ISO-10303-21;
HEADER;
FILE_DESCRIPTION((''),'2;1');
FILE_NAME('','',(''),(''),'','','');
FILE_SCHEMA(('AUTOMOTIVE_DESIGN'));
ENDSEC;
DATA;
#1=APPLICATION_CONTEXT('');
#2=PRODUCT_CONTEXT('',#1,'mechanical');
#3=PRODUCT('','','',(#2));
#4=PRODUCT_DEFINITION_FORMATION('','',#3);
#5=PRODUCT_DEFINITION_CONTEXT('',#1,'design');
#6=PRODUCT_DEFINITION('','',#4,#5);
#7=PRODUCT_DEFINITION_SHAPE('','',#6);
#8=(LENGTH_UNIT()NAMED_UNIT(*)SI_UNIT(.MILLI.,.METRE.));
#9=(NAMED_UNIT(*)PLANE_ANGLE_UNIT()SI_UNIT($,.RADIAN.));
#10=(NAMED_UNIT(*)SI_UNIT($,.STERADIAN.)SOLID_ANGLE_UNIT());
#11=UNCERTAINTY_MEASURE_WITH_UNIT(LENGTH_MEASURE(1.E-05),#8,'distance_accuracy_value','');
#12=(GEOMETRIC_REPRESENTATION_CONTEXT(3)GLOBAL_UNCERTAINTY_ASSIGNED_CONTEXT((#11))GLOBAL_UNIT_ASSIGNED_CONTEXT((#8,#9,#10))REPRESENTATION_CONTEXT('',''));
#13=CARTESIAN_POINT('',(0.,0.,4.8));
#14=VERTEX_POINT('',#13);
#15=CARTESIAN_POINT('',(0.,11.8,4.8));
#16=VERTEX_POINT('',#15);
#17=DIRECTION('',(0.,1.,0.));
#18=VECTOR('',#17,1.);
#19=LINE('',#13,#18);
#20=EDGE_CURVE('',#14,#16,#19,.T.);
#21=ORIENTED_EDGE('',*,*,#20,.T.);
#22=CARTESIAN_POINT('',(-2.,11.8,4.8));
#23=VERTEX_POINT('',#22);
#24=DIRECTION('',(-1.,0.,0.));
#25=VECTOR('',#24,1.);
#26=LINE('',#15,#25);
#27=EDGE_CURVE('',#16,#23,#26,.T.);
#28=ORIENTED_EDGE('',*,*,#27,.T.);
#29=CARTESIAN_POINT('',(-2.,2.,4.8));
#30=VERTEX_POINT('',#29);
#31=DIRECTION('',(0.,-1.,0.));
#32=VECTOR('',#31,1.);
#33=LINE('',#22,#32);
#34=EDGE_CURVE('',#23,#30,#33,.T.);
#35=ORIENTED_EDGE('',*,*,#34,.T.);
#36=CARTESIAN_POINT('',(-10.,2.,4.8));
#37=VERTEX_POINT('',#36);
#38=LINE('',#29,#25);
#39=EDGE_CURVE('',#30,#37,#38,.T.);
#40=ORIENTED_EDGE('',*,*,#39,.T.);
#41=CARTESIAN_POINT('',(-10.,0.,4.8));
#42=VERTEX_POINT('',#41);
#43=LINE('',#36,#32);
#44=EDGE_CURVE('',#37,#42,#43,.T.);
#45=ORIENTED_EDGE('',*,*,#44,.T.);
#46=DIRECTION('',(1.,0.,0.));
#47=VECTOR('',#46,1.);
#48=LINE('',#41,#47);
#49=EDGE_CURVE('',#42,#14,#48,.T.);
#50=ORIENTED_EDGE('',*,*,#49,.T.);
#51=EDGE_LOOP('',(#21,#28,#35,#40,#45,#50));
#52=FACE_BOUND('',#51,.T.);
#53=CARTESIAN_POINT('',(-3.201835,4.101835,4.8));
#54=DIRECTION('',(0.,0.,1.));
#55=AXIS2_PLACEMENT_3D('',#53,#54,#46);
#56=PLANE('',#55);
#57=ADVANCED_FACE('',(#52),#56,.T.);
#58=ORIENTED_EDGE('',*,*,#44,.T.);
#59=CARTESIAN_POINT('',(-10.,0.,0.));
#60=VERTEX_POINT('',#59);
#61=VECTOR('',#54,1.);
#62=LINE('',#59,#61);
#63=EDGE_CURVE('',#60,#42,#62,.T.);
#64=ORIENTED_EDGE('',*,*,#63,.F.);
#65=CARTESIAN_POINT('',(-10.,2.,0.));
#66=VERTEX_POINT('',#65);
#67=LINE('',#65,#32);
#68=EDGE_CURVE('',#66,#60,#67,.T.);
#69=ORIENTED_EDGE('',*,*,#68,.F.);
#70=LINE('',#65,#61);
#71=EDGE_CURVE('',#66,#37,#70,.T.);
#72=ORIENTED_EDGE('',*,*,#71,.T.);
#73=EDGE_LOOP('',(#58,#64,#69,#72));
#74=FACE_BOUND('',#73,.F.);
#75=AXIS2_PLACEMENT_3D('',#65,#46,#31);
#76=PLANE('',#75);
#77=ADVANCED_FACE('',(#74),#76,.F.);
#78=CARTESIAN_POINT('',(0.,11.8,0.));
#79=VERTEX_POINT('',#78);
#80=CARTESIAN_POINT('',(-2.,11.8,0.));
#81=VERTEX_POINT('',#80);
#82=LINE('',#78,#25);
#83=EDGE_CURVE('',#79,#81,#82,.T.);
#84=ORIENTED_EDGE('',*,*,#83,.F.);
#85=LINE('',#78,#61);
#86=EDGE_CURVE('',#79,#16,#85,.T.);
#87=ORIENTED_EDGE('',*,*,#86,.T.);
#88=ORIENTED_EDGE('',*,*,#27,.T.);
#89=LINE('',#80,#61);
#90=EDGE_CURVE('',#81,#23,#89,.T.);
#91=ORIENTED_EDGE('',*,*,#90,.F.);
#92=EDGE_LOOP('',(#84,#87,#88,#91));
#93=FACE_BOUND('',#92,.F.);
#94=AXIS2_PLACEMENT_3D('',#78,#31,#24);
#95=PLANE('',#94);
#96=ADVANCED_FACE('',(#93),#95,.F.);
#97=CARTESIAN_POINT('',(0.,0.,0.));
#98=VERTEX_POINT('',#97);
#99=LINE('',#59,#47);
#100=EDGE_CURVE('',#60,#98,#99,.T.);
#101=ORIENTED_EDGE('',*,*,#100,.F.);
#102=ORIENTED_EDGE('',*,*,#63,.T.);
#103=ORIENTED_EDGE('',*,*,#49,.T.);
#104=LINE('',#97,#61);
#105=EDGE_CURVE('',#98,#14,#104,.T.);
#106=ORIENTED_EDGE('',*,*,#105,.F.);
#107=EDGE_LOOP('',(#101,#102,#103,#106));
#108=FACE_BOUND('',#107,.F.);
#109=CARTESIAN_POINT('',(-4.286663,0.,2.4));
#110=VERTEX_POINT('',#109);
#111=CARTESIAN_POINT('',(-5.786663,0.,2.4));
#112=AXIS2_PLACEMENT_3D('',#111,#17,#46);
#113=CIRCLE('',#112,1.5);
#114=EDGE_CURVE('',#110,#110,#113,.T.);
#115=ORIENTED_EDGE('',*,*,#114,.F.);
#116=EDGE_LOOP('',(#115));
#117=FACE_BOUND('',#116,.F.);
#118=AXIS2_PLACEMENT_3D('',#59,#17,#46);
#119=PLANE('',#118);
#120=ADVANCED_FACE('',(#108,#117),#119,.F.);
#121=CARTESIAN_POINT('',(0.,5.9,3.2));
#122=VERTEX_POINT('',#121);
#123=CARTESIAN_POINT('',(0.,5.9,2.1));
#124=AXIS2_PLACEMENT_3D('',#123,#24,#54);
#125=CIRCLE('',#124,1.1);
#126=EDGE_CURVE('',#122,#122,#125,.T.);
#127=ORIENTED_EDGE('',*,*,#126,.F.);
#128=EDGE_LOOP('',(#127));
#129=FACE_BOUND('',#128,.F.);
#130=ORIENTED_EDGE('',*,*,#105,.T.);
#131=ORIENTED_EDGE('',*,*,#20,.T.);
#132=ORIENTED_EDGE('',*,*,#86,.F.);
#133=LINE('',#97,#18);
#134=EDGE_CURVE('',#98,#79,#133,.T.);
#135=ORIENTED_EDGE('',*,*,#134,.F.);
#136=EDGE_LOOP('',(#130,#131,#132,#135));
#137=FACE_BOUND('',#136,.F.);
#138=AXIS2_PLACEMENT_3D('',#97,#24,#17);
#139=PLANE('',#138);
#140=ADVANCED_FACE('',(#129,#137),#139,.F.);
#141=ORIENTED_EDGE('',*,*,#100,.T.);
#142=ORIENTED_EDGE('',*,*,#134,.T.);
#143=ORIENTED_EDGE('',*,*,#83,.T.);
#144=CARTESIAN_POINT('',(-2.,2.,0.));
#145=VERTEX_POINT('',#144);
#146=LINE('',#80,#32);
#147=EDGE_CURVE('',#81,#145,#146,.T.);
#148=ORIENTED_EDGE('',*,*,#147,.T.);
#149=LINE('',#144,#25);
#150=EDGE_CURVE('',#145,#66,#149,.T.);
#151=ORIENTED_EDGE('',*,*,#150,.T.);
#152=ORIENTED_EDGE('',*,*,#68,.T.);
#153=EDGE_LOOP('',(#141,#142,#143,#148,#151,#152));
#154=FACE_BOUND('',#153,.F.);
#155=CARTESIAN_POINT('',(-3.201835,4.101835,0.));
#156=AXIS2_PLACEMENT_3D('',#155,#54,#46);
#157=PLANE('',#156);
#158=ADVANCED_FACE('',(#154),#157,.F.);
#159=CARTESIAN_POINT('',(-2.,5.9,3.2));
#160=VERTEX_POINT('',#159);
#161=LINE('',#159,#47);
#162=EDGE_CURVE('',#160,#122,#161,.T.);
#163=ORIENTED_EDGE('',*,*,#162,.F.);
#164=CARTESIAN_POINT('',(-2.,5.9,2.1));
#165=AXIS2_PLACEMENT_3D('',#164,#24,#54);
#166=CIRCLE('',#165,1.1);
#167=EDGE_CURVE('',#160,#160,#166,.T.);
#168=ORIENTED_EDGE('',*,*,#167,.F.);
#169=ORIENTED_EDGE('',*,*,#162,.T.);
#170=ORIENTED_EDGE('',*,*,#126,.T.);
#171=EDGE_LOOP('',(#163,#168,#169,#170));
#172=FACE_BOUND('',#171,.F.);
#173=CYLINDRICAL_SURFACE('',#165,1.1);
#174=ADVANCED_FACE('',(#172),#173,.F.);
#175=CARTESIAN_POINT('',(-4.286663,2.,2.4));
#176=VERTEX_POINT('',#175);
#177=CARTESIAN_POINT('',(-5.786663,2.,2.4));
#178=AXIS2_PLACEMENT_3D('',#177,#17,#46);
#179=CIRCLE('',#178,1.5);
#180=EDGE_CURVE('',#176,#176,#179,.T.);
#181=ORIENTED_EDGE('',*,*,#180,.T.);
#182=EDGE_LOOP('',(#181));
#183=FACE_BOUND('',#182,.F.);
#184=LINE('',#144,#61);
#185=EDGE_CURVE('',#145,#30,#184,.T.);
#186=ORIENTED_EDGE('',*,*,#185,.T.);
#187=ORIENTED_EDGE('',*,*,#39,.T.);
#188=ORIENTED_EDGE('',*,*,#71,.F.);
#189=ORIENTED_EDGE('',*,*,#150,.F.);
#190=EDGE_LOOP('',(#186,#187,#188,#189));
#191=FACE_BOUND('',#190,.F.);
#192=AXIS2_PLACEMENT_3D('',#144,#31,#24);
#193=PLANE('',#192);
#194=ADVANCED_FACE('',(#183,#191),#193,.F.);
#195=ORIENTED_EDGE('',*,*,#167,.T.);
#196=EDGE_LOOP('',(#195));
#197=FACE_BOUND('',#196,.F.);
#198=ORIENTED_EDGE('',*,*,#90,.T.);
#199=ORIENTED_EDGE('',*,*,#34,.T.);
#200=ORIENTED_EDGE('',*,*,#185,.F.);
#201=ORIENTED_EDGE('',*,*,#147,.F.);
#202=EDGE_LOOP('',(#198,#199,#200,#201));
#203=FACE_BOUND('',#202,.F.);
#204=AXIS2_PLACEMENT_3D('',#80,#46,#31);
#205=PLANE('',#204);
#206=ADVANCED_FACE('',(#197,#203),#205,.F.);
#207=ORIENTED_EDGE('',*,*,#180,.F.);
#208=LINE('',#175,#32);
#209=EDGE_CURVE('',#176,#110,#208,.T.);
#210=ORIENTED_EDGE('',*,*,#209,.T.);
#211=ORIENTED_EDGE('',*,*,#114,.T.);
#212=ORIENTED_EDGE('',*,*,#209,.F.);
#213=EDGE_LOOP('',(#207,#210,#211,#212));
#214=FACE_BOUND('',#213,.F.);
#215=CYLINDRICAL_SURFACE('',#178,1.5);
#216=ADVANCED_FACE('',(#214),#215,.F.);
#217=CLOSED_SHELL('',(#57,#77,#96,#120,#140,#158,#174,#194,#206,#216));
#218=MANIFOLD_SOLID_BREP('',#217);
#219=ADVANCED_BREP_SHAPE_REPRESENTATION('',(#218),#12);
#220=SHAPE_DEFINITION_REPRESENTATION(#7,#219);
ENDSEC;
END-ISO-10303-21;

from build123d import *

# Parameters (mm, degrees)
BOSS_EXTRUDE1_DEPTH = 4.8
CUT_EXTRUDE1_REACH  = 4
SKETCH2_R           = 1.1
CUT_EXTRUDE2_REACH  = 4
SKETCH3_R           = 1.5


with BuildPart() as part:
    # Sketch1 → Boss-Extrude1 (new body)
    with BuildSketch(Plane.XY):
        Polygon((0, 0), (0, 11.8), (-2, 11.8), (-2, 2), (-10, 2), (-10, 0), align=None)
    extrude(amount=BOSS_EXTRUDE1_DEPTH)

    # Sketch2 → Cut-Extrude1 (cut, up to next)
    with BuildSketch(Plane.ZY.offset(2), mode=Mode.PRIVATE) as cut_extrude1_sk1:
        with Locations((2.1, 5.9)):
            Circle(SKETCH2_R)
    cut_extrude1_tool1 = extrude(cut_extrude1_sk1.sketch, amount=-CUT_EXTRUDE1_REACH, mode=Mode.PRIVATE) & part.part
    add(cut_extrude1_tool1.solids().sort_by_distance((-2, 5.9, 2.1))[0], mode=Mode.SUBTRACT)

    # Sketch3 → Cut-Extrude2 (cut, up to next)
    with BuildSketch(Plane(origin=(0, 2, 0), x_dir=(1, 0, 0), z_dir=(0, 1, 0)), mode=Mode.PRIVATE) as cut_extrude2_sk1:
        with Locations((-5.786663097, -2.4)):
            Circle(SKETCH3_R)
    cut_extrude2_tool1 = extrude(cut_extrude2_sk1.sketch, amount=-CUT_EXTRUDE2_REACH, mode=Mode.PRIVATE) & part.part
    add(cut_extrude2_tool1.solids().sort_by_distance((-5.786663, 2, 2.4))[0], mode=Mode.SUBTRACT)


solid = part.part
